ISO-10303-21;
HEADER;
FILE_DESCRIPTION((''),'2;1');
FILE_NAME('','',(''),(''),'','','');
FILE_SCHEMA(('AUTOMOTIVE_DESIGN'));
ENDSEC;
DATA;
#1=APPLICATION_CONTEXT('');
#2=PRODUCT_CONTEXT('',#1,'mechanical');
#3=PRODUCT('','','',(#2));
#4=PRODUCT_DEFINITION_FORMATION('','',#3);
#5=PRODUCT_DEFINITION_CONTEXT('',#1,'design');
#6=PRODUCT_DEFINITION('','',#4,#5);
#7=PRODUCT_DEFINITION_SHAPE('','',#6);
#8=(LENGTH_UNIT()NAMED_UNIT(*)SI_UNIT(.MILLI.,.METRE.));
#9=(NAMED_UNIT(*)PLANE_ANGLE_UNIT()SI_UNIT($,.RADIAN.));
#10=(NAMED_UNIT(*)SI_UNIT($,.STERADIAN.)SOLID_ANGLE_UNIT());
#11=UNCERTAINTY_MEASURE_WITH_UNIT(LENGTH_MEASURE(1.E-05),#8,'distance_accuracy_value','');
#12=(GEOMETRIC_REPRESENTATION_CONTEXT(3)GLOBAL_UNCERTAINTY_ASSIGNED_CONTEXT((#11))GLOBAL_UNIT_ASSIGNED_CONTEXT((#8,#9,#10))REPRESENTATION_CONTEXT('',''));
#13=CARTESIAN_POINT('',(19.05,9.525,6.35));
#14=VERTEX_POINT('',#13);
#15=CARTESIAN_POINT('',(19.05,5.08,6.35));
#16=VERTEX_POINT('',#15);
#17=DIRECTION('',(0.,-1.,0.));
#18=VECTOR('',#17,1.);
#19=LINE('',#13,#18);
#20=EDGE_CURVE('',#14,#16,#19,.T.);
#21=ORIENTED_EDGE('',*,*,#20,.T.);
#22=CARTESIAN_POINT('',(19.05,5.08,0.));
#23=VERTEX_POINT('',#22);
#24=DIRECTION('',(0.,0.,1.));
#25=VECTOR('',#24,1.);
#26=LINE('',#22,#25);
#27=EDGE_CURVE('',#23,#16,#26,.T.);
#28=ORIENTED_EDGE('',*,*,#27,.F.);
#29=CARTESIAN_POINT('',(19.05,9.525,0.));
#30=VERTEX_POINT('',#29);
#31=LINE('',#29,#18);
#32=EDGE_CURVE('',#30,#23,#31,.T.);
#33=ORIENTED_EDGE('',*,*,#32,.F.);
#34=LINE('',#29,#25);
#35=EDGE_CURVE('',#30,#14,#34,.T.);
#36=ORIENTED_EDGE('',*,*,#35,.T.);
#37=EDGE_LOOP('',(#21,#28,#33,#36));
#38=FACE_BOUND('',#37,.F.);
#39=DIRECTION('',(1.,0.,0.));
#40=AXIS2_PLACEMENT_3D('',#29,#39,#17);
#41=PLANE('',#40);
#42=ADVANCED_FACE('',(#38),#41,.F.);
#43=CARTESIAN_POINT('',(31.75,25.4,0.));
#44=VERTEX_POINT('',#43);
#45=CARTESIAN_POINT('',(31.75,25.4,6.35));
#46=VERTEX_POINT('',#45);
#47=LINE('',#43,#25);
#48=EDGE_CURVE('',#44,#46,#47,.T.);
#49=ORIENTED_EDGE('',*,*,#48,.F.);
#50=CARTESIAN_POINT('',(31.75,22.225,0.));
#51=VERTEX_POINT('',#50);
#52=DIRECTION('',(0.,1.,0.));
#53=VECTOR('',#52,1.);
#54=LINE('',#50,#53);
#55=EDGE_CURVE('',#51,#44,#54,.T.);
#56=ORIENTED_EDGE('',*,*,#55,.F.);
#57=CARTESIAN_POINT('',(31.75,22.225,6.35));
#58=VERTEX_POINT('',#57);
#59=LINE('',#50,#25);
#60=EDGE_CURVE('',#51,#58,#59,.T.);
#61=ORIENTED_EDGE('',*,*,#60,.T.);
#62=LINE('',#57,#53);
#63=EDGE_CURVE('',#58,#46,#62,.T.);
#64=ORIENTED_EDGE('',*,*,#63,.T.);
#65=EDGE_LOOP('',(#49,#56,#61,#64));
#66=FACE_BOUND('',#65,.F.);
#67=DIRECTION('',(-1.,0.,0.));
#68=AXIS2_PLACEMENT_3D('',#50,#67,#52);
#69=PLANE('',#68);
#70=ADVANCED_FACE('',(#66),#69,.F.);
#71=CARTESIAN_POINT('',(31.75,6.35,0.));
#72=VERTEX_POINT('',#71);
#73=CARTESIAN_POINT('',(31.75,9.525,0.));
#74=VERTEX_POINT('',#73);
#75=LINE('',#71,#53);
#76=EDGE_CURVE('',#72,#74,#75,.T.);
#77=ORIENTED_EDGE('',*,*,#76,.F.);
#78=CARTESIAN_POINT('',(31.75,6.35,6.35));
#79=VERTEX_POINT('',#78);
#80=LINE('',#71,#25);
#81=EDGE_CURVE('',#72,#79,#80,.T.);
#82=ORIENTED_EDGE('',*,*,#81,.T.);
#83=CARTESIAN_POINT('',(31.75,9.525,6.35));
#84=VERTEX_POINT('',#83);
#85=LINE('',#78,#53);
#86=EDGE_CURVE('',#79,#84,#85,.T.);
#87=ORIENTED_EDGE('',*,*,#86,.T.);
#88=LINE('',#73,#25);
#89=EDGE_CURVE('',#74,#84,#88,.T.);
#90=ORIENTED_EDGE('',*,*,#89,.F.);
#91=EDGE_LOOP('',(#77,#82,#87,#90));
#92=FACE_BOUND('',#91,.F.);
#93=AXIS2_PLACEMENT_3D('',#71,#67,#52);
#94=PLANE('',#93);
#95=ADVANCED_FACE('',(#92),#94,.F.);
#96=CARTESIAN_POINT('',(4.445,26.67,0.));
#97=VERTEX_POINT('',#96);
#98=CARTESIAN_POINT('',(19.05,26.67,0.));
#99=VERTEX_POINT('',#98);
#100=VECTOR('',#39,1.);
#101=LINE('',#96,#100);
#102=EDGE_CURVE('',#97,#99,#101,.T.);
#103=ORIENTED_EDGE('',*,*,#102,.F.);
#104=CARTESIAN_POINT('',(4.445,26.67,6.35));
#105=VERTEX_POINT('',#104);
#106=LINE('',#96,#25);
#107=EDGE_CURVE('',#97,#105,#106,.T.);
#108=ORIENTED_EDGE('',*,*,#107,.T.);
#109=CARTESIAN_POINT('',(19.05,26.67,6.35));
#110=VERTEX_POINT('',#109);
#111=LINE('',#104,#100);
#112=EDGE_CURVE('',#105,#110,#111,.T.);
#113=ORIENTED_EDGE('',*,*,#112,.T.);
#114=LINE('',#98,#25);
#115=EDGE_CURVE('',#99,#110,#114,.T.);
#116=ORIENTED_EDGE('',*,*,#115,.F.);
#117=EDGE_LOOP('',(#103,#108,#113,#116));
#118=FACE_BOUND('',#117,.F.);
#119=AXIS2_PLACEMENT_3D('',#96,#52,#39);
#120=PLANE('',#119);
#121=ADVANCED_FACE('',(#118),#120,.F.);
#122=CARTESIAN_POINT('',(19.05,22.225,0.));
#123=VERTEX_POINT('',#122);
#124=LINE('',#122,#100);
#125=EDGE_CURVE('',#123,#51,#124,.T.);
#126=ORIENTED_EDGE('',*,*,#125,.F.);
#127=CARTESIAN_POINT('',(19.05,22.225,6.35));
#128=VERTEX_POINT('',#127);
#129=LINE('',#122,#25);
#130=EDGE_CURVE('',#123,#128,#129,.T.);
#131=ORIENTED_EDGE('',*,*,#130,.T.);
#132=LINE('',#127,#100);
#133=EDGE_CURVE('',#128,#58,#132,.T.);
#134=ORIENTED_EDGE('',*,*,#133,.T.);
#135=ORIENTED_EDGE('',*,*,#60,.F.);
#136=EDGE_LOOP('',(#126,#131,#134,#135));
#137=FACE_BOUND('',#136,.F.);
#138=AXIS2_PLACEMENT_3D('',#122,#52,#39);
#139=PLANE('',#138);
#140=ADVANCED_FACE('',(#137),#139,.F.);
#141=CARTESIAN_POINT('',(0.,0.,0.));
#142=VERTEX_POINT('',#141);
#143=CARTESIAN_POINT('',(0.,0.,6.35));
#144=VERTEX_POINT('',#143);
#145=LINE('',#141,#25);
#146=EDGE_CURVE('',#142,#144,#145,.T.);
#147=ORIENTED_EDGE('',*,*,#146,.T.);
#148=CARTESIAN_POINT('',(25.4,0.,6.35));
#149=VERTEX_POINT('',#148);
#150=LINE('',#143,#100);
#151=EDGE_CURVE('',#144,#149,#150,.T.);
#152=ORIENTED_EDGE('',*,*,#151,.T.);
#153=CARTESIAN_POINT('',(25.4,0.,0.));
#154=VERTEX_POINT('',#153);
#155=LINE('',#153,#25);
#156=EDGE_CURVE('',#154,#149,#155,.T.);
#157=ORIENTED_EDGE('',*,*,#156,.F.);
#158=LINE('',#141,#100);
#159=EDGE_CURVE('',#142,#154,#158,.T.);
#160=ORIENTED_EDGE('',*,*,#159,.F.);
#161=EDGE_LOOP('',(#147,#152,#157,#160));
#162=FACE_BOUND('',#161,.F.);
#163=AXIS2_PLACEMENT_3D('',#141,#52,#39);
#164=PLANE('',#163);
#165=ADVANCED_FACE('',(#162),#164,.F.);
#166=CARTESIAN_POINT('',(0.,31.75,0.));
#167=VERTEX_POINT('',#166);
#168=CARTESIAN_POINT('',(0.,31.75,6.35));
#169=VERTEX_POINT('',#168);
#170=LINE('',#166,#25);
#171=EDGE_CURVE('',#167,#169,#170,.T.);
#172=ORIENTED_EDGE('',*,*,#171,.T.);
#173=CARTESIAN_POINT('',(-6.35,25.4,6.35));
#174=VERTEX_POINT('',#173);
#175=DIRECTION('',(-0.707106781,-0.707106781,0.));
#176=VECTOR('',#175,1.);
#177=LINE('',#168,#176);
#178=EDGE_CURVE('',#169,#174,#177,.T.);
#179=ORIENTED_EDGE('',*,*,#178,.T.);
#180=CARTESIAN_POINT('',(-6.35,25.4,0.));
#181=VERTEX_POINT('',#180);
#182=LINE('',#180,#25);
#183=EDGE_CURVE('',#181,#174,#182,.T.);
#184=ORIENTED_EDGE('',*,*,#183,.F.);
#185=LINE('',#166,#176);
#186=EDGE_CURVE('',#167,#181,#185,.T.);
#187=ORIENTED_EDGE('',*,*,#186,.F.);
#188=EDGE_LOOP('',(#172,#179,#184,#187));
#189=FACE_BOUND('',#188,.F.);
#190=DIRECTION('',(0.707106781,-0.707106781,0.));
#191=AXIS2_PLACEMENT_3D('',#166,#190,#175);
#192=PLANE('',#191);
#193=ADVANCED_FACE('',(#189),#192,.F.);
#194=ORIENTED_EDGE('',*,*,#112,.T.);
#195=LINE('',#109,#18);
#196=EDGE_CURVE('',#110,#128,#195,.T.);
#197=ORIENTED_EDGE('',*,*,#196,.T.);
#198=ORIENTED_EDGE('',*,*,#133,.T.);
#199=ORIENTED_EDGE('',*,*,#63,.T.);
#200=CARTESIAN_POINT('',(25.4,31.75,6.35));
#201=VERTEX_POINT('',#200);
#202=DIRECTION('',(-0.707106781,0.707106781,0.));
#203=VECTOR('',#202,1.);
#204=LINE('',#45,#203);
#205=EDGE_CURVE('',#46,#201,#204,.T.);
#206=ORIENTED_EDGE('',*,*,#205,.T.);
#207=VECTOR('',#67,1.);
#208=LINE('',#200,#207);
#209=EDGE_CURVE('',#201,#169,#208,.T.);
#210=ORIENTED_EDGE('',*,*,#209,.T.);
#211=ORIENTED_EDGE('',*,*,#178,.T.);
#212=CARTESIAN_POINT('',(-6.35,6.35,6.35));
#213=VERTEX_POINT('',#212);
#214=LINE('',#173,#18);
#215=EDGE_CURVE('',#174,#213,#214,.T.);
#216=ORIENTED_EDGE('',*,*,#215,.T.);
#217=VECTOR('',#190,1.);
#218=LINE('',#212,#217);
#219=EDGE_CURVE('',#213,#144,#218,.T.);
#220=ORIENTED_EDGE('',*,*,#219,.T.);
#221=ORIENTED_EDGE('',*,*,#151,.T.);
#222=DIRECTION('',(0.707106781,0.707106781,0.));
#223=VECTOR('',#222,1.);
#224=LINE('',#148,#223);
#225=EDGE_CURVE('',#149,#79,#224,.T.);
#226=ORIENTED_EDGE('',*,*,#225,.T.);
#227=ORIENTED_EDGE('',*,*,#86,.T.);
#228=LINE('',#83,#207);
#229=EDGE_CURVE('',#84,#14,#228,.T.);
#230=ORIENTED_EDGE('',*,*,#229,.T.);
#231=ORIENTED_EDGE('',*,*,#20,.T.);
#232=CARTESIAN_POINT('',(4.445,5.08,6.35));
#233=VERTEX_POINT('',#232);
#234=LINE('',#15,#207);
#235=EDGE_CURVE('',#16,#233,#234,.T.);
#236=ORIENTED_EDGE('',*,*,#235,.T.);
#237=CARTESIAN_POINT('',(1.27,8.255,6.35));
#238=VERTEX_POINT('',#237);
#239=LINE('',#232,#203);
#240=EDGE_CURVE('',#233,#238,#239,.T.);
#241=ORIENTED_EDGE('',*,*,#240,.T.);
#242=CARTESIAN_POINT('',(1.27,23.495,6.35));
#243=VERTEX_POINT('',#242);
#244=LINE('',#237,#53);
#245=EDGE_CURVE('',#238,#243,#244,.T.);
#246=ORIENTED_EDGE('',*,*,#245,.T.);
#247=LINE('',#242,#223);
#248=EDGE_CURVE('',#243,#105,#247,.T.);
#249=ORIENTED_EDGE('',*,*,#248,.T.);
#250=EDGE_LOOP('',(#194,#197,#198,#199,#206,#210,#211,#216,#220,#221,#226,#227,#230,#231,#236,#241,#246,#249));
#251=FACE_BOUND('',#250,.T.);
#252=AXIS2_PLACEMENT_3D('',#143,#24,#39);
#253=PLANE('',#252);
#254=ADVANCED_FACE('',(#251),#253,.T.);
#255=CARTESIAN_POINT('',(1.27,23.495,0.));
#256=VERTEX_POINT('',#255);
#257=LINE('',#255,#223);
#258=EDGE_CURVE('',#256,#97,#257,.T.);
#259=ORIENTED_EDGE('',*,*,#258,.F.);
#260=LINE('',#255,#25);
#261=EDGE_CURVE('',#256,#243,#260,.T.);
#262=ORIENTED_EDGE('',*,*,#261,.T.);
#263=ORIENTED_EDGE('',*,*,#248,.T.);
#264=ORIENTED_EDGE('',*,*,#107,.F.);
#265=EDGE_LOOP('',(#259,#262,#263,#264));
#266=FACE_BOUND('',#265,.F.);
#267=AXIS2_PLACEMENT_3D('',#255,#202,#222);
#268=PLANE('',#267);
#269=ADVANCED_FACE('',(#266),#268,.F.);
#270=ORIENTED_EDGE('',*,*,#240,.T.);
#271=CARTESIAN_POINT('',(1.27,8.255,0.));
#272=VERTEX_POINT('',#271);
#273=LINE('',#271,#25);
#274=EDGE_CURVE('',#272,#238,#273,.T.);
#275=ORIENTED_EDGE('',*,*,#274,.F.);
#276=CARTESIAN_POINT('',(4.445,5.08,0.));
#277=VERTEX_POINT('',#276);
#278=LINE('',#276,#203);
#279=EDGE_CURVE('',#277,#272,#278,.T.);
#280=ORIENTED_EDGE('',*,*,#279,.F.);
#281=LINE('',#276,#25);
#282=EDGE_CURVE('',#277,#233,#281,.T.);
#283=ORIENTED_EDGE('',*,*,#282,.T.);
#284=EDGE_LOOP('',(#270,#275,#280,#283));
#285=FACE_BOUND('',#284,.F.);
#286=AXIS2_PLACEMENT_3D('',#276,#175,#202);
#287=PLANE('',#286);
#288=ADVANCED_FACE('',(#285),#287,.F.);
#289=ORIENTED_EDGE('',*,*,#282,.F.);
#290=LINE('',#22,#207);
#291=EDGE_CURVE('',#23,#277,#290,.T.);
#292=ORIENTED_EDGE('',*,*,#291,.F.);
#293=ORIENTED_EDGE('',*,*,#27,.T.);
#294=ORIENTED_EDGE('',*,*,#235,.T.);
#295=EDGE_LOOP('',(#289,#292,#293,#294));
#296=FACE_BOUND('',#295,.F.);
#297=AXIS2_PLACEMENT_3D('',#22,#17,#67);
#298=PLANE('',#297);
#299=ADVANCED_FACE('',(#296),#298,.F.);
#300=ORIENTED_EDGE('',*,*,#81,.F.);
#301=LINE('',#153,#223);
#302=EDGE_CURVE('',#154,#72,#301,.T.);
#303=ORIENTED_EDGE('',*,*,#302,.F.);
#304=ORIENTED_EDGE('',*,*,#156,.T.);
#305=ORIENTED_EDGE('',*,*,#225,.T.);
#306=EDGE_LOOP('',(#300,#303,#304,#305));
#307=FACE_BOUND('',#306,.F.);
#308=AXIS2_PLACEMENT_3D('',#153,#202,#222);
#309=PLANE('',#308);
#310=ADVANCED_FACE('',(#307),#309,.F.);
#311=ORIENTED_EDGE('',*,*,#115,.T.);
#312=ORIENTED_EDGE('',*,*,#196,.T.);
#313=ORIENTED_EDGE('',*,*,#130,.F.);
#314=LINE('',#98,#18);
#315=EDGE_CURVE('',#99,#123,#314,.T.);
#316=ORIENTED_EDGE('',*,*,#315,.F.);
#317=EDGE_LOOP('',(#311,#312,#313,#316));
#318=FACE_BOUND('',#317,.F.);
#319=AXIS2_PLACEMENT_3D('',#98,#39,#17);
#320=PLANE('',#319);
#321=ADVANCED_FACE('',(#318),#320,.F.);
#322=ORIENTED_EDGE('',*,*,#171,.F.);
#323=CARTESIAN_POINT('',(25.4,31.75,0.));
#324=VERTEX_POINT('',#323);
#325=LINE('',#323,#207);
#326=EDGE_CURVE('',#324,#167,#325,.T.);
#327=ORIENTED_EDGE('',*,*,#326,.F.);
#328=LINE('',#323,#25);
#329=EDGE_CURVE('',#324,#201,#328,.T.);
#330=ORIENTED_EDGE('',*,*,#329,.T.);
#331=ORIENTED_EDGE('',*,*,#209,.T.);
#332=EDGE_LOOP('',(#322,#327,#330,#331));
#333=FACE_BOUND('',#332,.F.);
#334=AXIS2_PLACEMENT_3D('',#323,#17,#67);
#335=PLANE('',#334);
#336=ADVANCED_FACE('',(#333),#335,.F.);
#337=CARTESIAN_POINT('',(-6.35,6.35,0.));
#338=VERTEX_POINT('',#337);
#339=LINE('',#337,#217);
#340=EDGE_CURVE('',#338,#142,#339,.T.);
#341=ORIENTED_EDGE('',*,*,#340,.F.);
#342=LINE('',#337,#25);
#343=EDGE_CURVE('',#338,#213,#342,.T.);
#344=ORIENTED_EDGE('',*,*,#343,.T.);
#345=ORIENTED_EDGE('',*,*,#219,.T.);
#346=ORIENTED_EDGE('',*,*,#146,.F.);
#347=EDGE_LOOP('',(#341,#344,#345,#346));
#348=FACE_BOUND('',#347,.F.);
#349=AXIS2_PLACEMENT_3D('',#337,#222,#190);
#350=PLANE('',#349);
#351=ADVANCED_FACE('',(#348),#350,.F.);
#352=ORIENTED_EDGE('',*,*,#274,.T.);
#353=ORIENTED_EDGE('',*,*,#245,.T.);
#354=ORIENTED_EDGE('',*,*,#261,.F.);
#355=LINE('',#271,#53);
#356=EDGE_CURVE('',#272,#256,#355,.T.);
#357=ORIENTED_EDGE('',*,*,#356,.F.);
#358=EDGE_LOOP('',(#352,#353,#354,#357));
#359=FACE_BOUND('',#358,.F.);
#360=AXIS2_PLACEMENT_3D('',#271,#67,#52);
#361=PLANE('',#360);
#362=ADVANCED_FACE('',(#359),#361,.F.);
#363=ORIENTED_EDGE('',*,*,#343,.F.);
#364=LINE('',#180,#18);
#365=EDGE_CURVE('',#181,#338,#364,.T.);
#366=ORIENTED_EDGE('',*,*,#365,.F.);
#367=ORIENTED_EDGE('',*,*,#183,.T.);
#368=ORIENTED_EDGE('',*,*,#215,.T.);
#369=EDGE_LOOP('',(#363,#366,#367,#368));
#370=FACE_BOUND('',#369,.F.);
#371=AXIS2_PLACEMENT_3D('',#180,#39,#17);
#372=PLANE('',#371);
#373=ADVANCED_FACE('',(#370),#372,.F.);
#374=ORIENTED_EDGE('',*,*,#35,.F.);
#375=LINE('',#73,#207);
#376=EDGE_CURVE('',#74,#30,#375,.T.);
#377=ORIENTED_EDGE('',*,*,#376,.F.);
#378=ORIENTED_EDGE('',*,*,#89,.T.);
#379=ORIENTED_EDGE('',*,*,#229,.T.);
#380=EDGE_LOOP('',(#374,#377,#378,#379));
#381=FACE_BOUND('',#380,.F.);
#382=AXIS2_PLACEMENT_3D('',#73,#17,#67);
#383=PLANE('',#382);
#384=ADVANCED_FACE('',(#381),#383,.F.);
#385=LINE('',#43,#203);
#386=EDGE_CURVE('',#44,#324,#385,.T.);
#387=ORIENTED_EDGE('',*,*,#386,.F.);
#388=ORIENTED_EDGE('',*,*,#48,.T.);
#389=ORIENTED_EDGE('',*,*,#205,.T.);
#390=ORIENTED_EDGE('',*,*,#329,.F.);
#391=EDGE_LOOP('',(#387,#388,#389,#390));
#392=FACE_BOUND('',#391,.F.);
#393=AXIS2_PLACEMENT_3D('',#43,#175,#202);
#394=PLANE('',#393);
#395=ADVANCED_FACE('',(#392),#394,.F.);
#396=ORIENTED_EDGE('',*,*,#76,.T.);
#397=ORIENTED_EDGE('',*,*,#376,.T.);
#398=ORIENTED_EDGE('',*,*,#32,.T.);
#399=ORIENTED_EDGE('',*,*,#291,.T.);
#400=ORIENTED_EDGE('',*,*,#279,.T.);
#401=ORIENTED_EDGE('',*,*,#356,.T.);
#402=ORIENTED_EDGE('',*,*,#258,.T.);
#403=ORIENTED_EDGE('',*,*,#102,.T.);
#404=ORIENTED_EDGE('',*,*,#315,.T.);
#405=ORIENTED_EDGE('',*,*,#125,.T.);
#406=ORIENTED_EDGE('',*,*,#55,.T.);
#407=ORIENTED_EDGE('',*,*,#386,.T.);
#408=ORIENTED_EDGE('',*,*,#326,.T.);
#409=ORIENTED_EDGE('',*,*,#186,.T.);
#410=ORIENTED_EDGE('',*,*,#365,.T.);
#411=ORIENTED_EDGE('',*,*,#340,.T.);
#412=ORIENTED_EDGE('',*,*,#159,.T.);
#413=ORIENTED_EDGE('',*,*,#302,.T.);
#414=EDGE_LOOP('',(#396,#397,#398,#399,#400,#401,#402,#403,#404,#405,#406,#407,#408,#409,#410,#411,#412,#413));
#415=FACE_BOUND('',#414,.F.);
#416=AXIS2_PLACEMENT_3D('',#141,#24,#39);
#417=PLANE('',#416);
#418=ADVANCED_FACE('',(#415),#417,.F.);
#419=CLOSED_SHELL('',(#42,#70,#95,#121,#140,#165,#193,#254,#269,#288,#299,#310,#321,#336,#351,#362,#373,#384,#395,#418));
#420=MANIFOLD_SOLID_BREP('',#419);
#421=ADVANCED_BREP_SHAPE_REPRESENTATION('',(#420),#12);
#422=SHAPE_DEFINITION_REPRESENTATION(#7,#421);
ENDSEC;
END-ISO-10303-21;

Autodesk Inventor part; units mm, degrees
ref_plane "YZ Plane" through (0, 0, 0) normal (1, 0, 0) x (0, 1, 0)
ref_plane "XZ Plane" through (0, 0, 0) normal (0, 1, 0) x (-1, 0, 0)
ref_plane "XY Plane" through (0, 0, 0) normal (0, 0, 1) x (1, 0, 0)
sketch "Sketch1" plane through (0, 0, 0) normal (0, 0, 1) x (1, 0, 0)
  line L0 (0, 0) -> (25.4, 0)
  line L1 (25.4, 0) -> (31.75, 6.35)
  line L2 (31.75, 6.35) -> (31.75, 9.525)
  line L3 (31.75, 9.525) -> (19.05, 9.525)
  line L4 (19.05, 9.525) -> (19.05, 5.08)
  line L5 (19.05, 5.08) -> (4.445, 5.08)
  line L6 (4.445, 5.08) -> (1.27, 8.255)
  line L7 (1.27, 8.255) -> (1.27, 23.495)
  line L8 (1.27, 23.495) -> (4.445, 26.67)
  line L9 (4.445, 26.67) -> (19.05, 26.67)
  line L10 (19.05, 26.67) -> (19.05, 22.225)
  line L11 (19.05, 22.225) -> (31.75, 22.225)
  line L12 (31.75, 22.225) -> (31.75, 25.4)
  line L13 (31.75, 25.4) -> (25.4, 31.75)
  line L14 (25.4, 31.75) -> (0, 31.75)
  line L15 (0, 31.75) -> (-6.35, 25.4)
  line L16 (-6.35, 25.4) -> (-6.35, 6.35)
  line L17 (-6.35, 6.35) -> (0, 0)
  dimension "d0" = 31.75
  dimension "d1" = 31.75
  dimension "d2" = 45
  dimension "d3" = 45
  dimension "d4" = 31.75
  dimension "d5" = 38.1
  dimension "d6" = 38.1
  dimension "d8" = 9.525
  dimension "d9" = 9.525
  dimension "d10" = 12.7
  dimension "d11" = 5.08
  dimension "d12" = 5.08
  dimension "d13" = 3.175
  dimension "d14" = 3.175
  dimension "d15" = 45
  dimension "d16" = 45
  dimension "d17" = 12.7
  dimension "d18" = 6.35
  dimension "d19" = 6.35
  dimension "d20" = 7.62
extrude "Extrusion1" add sketch "Sketch1" along normal blind 6.35
properties part number "HW 4 Part 1"
